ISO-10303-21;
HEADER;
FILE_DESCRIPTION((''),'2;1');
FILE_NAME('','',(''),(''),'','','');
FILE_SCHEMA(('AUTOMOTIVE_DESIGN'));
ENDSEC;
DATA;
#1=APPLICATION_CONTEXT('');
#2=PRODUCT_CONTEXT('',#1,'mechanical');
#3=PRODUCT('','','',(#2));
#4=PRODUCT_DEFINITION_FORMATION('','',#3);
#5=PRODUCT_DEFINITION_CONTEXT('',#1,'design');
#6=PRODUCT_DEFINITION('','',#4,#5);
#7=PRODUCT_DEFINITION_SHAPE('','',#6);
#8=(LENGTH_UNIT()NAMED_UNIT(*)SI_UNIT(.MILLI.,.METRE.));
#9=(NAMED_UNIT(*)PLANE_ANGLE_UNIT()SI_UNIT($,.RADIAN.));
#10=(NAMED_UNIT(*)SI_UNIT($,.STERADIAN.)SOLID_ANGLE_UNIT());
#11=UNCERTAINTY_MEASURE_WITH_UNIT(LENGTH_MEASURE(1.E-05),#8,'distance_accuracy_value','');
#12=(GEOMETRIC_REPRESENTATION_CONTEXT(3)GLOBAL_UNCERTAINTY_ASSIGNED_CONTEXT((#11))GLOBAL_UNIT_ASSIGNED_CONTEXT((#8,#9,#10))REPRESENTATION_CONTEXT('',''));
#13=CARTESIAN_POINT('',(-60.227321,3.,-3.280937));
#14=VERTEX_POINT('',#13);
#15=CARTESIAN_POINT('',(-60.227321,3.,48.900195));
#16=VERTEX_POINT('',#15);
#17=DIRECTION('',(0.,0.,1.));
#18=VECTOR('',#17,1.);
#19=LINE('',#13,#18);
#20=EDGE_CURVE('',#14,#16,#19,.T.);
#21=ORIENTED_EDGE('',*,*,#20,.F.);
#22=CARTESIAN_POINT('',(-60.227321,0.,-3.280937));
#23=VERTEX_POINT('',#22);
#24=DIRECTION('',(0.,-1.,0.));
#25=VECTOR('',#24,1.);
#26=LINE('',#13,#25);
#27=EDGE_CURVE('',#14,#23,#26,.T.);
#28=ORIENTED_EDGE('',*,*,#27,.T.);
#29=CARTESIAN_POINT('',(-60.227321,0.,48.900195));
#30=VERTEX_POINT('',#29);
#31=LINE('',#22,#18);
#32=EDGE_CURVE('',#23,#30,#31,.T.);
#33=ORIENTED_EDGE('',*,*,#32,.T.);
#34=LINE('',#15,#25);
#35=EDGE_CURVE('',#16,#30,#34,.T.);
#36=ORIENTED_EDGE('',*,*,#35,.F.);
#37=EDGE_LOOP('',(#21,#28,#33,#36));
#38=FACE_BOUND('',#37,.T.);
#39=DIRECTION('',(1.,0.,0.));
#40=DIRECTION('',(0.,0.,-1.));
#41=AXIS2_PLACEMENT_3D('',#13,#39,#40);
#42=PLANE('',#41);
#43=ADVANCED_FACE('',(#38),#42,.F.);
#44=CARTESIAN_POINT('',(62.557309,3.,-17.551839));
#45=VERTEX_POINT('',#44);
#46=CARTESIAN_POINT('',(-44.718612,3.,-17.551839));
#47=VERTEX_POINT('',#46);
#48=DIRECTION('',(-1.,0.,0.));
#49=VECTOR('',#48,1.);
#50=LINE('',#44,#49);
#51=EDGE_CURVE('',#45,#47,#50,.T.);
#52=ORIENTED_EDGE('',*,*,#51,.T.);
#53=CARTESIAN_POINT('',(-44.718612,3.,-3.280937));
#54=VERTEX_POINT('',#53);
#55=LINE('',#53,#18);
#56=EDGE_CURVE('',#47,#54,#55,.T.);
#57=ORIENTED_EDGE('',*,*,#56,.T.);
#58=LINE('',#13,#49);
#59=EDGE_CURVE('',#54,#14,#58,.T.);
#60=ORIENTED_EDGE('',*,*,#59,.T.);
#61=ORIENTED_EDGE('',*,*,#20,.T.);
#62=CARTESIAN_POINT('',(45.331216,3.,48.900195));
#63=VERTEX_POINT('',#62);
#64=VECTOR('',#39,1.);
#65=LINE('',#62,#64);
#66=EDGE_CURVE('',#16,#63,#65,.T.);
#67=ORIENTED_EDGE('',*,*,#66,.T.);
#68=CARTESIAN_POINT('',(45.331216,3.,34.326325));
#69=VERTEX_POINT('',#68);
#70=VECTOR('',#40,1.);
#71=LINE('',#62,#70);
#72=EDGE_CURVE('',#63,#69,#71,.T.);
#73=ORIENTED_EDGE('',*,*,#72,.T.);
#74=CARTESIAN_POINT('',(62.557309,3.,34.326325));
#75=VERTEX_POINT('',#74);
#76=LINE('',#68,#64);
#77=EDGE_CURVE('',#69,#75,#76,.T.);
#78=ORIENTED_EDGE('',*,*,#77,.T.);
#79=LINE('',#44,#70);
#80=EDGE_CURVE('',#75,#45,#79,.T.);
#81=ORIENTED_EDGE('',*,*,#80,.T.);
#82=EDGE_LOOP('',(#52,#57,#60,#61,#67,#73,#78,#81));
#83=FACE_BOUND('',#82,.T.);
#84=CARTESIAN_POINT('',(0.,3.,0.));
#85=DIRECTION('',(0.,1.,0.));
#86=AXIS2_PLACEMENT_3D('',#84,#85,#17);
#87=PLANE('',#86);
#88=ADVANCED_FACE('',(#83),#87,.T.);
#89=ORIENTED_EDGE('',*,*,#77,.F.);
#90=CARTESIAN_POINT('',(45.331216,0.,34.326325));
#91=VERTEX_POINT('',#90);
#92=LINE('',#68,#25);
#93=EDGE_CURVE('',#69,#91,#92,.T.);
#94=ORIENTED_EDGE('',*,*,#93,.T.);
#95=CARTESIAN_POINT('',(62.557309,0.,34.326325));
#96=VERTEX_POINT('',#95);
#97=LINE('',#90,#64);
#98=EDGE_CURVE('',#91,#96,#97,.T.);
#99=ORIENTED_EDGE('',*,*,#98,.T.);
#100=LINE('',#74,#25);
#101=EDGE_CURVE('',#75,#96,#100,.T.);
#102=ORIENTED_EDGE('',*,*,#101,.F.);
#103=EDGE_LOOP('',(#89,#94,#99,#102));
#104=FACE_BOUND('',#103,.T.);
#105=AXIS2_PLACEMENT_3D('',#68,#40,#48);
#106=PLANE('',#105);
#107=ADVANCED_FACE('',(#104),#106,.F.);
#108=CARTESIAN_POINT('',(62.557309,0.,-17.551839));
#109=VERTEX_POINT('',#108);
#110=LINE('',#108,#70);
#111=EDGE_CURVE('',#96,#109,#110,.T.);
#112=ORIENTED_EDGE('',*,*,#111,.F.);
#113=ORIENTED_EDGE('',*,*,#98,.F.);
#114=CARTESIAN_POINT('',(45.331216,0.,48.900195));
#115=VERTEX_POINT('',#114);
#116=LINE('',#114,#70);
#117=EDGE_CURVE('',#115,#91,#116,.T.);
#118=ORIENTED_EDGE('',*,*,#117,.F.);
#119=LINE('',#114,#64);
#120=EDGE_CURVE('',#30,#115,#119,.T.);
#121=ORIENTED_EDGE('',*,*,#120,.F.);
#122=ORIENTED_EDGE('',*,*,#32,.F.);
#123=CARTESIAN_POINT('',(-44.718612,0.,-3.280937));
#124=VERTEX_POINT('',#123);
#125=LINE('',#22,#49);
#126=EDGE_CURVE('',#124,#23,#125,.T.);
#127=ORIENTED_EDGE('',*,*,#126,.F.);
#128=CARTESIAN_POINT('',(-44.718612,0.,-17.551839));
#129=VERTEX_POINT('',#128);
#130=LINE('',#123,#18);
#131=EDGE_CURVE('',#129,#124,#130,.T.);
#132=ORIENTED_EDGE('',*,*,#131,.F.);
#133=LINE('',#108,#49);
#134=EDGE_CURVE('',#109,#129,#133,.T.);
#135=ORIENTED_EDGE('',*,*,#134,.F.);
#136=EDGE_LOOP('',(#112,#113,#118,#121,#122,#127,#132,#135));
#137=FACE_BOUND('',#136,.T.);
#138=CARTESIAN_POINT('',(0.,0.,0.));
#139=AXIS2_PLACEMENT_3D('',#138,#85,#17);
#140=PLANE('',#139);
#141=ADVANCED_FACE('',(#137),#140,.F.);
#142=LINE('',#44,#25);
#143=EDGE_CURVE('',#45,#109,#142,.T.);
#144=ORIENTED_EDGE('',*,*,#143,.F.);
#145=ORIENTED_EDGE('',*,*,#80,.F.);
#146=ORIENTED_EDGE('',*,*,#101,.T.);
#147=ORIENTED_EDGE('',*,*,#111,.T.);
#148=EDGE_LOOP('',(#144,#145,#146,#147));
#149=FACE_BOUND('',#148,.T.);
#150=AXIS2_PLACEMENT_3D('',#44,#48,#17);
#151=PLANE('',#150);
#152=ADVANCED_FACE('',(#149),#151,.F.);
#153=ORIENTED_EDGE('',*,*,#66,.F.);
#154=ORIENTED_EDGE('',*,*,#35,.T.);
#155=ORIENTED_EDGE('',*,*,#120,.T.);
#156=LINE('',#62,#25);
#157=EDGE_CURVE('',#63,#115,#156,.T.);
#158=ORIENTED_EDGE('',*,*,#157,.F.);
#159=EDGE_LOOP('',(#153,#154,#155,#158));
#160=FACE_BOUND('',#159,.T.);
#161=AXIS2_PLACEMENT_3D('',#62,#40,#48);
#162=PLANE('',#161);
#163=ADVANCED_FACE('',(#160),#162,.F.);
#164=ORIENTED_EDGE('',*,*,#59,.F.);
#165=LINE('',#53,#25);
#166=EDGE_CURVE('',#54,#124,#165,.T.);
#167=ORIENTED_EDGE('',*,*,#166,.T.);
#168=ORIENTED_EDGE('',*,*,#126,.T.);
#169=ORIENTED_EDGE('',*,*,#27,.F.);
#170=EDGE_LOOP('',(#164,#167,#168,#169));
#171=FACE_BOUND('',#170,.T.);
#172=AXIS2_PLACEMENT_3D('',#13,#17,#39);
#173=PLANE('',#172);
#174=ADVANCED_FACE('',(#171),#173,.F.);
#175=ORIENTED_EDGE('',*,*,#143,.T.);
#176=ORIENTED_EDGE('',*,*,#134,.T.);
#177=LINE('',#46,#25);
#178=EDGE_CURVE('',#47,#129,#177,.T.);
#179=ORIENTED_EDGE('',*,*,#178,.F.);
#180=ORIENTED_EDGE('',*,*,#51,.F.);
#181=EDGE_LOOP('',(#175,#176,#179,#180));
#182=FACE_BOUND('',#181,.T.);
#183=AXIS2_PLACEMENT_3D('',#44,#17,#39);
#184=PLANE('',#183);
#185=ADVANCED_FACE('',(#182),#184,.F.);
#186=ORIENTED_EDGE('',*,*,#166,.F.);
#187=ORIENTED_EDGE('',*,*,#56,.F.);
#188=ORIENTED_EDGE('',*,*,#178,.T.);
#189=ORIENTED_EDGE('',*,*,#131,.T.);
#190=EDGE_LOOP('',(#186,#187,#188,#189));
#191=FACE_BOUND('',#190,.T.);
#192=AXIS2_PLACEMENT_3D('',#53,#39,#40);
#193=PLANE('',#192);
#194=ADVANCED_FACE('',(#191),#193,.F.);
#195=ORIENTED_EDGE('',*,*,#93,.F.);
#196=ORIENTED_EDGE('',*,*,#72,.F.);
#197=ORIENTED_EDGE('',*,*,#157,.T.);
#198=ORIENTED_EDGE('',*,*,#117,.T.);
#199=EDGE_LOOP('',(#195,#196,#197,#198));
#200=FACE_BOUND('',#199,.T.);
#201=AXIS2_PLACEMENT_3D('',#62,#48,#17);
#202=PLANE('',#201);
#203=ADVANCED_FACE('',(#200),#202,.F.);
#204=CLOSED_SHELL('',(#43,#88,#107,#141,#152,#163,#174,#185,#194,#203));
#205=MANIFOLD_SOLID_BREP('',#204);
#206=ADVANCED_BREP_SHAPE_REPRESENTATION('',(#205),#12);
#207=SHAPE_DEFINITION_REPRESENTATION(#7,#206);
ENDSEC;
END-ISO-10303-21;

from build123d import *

# Parameters (mm, degrees)
BOSS_EXTRUDE1_DEPTH = 3


with BuildPart() as part:
    # Sketch1 → Boss-Extrude1 (new body)
    with BuildSketch(Plane(origin=(0, 0, 0), x_dir=(1, 0, 0), z_dir=(0, 1, 0))):
        Polygon((45.331216218, -48.900194758), (45.331216218, -34.326324816), (62.557308969, -34.326324816), (62.557308969, 17.551839423), (-44.718611512, 17.551839423), (-44.718611512, 3.28093689), (-60.227321225, 3.28093689), (-60.227321225, -48.900194758), align=None)
    extrude(amount=BOSS_EXTRUDE1_DEPTH)


solid = part.part
